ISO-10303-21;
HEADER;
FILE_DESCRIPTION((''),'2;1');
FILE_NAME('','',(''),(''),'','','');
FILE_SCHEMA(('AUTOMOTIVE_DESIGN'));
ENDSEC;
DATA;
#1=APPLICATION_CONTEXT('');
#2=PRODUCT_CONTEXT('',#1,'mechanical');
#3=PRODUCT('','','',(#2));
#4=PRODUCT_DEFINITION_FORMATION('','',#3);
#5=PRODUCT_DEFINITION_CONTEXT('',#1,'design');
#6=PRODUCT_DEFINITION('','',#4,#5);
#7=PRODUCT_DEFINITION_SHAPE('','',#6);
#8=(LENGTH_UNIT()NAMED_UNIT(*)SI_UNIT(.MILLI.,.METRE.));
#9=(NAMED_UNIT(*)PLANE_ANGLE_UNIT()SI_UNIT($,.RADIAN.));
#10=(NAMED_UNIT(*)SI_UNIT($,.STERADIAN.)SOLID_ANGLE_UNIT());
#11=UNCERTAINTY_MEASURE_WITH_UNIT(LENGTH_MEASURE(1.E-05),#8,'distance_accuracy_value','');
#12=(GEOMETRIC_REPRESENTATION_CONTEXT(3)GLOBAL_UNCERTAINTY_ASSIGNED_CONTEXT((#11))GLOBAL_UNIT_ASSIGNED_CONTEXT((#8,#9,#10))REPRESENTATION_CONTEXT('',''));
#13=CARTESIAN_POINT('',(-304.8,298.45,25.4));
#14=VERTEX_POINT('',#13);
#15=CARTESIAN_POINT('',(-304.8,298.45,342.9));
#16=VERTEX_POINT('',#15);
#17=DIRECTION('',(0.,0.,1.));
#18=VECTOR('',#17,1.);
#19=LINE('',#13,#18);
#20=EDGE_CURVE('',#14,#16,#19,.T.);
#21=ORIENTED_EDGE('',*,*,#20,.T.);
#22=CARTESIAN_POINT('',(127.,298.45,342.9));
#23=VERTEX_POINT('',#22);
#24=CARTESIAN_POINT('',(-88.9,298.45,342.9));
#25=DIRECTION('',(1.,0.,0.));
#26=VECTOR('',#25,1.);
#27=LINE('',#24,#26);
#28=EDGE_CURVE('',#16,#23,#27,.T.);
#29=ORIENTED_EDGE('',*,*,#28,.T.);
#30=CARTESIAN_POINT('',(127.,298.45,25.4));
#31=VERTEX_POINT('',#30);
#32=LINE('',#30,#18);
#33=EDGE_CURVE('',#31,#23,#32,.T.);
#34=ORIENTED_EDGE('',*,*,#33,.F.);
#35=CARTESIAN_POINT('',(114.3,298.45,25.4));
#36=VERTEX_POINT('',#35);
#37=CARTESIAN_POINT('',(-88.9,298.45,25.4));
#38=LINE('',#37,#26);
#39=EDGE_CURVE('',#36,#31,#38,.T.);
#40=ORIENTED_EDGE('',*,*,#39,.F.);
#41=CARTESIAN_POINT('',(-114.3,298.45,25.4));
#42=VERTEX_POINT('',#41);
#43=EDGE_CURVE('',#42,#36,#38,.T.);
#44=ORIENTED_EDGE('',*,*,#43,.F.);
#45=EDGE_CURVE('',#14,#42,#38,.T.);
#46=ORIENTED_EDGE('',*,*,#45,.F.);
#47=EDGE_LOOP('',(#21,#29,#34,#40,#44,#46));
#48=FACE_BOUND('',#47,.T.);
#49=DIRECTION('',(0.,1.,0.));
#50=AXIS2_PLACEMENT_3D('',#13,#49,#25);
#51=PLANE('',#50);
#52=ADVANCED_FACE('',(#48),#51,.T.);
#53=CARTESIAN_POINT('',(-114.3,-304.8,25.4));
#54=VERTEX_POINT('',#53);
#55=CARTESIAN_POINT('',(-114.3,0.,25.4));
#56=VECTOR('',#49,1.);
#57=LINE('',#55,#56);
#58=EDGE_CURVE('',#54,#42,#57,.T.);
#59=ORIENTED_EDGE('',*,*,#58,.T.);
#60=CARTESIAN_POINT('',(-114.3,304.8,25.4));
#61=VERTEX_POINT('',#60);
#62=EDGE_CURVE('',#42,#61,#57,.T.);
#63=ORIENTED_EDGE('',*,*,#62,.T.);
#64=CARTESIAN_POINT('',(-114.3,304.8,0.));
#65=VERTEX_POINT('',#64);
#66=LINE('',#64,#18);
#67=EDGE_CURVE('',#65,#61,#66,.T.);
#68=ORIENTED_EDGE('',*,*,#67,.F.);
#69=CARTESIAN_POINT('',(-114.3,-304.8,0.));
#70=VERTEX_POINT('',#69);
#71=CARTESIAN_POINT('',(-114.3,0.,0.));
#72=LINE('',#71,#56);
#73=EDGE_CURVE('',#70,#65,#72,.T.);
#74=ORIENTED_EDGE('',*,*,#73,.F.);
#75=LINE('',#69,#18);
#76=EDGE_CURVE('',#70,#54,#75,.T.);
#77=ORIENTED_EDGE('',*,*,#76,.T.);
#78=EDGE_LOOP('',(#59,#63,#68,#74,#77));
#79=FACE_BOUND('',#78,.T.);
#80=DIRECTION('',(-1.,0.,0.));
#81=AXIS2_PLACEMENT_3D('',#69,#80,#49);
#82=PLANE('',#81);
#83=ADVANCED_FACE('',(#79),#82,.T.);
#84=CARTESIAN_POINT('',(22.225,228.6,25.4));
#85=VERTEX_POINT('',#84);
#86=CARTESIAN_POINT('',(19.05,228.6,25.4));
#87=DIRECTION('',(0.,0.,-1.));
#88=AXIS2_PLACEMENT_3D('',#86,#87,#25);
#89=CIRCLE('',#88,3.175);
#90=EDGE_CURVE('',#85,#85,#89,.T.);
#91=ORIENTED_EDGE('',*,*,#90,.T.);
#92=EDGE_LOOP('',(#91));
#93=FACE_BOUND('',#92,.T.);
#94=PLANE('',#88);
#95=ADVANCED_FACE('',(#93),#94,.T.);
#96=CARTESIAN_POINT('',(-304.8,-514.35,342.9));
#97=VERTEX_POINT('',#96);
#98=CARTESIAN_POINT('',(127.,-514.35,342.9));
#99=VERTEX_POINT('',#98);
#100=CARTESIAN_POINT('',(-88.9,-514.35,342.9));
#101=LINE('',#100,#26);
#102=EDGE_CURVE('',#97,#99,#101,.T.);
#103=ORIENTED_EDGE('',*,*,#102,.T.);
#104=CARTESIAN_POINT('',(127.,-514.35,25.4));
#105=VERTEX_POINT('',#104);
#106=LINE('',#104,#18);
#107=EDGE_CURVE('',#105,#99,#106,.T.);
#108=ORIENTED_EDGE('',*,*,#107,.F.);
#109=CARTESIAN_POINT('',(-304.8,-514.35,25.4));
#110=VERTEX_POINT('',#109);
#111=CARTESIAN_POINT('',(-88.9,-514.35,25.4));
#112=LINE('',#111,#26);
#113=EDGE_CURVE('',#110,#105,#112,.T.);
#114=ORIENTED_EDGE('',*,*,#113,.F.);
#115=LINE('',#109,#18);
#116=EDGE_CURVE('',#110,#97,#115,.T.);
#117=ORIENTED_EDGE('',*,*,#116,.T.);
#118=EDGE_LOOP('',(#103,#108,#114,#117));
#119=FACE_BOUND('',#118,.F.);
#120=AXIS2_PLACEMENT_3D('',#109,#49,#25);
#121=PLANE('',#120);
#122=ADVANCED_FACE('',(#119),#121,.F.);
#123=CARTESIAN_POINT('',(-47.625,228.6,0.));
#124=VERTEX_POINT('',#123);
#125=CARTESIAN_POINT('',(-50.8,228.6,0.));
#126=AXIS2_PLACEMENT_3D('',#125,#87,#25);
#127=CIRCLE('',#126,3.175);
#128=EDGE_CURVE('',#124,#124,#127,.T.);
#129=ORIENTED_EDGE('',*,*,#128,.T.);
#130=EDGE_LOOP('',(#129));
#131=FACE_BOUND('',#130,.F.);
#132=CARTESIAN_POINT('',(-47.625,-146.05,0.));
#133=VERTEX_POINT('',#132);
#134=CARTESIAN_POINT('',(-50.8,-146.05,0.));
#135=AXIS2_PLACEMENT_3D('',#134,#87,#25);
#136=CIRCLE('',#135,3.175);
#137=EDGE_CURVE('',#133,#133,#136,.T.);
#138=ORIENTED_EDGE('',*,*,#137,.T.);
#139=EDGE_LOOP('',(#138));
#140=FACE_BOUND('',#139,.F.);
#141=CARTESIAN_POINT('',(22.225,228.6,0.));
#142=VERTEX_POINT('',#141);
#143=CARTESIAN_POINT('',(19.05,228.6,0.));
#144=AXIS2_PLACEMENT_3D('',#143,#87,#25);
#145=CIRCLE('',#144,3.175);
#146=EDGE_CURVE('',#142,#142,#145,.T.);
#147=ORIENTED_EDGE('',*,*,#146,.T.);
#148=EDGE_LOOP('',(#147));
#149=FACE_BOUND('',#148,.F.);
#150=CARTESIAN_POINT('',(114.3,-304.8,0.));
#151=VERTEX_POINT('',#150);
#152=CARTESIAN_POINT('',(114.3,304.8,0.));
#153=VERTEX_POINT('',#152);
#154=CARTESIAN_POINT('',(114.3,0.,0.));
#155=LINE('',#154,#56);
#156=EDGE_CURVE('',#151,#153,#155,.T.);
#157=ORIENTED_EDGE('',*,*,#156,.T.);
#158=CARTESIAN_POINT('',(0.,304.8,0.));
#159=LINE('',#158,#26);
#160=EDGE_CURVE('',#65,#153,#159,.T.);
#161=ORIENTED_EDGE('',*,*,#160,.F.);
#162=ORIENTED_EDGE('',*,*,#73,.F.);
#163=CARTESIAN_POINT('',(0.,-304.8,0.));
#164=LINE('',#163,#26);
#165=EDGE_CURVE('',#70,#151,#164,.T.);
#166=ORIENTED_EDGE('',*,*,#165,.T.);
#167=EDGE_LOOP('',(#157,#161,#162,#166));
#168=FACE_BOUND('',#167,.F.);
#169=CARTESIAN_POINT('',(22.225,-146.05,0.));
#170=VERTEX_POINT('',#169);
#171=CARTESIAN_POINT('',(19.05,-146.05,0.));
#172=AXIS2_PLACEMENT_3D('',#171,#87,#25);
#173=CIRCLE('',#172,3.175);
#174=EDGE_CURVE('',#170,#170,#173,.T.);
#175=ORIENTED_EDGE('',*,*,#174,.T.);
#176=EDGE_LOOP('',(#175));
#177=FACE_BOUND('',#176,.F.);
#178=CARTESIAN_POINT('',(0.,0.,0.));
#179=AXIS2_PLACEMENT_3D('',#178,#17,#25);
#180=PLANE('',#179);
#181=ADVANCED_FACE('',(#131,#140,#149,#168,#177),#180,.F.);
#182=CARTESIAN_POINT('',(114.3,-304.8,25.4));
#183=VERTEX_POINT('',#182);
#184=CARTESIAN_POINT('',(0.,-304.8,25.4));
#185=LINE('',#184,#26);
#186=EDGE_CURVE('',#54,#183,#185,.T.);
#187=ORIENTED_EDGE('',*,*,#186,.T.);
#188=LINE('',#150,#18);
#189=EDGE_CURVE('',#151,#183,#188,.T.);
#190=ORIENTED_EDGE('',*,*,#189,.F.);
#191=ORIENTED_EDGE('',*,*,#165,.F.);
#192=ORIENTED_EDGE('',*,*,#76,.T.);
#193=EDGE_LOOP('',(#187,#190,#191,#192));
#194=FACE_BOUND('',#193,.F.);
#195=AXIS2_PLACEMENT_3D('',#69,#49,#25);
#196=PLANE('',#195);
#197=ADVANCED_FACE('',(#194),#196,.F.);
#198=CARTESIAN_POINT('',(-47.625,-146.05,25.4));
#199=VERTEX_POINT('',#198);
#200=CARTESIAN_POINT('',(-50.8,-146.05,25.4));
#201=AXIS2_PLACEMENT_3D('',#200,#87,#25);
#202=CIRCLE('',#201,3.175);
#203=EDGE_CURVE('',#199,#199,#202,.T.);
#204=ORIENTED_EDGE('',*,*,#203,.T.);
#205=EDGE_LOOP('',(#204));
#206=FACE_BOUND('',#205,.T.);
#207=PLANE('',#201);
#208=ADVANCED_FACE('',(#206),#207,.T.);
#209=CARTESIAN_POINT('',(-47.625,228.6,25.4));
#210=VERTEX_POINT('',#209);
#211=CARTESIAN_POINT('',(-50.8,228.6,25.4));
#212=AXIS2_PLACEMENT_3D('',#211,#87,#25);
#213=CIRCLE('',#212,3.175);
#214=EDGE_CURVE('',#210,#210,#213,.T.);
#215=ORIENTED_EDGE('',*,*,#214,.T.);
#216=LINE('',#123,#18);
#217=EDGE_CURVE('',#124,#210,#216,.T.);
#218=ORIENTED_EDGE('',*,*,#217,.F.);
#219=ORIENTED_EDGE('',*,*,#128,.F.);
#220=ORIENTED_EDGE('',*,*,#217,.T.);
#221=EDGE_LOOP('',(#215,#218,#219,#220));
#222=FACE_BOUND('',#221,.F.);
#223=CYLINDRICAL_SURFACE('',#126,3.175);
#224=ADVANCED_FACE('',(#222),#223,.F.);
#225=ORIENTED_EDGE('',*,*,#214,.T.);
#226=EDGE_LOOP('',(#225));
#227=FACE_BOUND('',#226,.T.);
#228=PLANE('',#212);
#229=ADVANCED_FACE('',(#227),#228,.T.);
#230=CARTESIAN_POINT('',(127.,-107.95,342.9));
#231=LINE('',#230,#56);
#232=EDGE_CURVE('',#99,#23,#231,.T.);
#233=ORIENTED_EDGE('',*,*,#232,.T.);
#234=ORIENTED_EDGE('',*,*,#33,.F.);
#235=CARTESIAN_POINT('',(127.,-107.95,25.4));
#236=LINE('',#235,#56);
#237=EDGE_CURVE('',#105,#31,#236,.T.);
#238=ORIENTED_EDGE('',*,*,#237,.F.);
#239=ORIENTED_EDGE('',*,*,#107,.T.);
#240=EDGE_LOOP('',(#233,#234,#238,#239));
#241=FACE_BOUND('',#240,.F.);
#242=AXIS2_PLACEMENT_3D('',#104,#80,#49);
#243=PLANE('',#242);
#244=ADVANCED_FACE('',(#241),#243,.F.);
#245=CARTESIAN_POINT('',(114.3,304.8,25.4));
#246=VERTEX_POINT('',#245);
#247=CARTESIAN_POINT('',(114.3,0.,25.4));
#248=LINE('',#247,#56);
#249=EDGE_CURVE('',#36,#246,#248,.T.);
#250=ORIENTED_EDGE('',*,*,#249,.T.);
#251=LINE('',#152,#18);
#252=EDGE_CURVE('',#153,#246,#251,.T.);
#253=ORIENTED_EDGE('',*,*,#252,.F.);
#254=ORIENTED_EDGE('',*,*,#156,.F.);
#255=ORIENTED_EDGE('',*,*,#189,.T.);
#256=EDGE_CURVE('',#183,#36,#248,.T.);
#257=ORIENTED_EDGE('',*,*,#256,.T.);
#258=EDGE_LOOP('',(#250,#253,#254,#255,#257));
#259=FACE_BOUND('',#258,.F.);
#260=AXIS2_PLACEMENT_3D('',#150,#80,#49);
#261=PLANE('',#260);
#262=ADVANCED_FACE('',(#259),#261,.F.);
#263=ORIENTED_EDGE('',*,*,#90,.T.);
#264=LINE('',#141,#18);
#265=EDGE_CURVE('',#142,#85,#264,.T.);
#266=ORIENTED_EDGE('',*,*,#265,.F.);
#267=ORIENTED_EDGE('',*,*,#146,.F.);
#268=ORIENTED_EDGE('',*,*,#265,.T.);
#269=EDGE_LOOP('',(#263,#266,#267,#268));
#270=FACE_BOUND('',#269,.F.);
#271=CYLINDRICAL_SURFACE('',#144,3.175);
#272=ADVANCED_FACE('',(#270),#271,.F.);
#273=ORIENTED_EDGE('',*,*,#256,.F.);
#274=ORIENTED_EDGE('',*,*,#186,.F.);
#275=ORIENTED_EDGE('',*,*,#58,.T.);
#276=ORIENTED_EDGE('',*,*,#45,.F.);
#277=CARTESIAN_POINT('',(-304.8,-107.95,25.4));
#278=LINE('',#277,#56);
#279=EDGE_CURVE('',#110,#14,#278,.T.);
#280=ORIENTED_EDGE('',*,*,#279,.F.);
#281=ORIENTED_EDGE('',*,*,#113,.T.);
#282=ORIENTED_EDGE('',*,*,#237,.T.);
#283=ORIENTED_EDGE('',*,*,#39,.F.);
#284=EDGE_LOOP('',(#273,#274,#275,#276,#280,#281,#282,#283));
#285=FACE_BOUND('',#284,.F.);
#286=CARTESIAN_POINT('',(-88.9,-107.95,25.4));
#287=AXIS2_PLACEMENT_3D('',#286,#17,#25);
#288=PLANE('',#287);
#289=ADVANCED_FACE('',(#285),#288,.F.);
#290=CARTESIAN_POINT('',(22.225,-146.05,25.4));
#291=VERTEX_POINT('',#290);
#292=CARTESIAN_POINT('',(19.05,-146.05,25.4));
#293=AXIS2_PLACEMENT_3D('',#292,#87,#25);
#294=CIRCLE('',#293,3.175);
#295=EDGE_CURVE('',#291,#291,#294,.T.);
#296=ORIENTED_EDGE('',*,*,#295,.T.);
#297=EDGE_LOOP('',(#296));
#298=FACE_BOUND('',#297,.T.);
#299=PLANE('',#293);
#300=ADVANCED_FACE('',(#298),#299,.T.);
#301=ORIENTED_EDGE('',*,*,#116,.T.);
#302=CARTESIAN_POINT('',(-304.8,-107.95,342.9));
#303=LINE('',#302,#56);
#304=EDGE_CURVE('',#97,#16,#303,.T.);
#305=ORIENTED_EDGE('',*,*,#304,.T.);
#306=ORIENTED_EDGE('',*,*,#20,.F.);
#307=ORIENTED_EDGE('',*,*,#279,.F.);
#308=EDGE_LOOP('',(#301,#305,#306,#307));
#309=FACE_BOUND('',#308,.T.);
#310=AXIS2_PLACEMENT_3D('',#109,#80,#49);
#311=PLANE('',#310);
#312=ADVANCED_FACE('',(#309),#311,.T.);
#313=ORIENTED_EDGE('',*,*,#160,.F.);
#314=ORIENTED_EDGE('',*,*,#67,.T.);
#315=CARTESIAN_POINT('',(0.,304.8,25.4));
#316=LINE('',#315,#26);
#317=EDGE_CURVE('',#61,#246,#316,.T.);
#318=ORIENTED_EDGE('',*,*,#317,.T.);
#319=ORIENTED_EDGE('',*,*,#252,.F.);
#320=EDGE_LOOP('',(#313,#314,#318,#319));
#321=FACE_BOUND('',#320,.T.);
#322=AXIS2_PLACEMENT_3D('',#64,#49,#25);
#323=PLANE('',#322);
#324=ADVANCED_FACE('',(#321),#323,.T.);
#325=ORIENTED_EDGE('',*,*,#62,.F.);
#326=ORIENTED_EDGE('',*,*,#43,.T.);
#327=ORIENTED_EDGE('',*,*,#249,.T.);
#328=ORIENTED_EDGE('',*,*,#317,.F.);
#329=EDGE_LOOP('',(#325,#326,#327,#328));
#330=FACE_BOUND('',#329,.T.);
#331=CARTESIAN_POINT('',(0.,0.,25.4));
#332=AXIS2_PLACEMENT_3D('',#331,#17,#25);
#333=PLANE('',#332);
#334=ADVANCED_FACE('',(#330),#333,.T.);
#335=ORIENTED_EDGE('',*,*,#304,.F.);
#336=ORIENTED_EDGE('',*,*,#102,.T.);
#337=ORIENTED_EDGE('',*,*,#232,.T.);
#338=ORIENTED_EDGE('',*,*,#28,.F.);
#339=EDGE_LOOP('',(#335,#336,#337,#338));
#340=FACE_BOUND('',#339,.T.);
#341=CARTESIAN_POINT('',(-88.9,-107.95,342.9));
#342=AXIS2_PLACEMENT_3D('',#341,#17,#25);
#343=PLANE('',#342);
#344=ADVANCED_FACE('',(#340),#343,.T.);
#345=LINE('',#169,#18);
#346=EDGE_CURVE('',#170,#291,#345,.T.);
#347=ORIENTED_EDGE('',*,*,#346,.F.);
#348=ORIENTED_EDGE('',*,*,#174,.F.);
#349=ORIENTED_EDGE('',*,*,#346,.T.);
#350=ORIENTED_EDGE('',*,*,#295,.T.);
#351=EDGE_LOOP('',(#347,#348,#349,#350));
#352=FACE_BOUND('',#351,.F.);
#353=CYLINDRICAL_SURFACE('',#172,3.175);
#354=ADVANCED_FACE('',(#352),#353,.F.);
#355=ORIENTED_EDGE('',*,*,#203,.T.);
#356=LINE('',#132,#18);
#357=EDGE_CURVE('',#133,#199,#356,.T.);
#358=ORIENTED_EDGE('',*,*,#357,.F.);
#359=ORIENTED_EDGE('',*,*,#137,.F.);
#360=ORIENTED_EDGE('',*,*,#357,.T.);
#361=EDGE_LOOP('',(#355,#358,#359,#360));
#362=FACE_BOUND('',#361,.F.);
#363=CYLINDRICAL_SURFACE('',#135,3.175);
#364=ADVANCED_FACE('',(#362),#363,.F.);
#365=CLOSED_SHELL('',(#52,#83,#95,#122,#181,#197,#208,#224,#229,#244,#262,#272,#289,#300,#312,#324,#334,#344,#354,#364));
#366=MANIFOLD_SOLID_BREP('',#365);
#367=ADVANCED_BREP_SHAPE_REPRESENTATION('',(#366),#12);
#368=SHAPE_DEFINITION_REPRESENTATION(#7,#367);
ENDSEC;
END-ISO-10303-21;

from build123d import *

# Parameters (mm, degrees)
F0_W     = 228.6
F0_H     = 609.6
F1_DEPTH = 25.4
F2_W     = 431.8
F2_H     = 812.8
F3_DEPTH = 317.5
F4_R     = 3.175
F5_DEPTH = 25.4


with BuildPart() as f1:
    # F0 (on Top) → F1 (new body)
    with BuildSketch(Plane.XY):
        Rectangle(F0_W, F0_H)
    extrude(amount=F1_DEPTH)

    # F2 (on face) → F3 (join)
    with BuildSketch(Plane.XY.offset(25.4)):
        with Locations((-88.9, -107.95)):
            Rectangle(F2_W, F2_H)
    extrude(amount=F3_DEPTH)

    # F4 (on face) → F5 (cut)
    with BuildSketch(Plane(origin=(0, 0, 0), x_dir=(1, 0, 0), z_dir=(0, 0, -1))):
        with Locations((-50.8, -228.6)):
            Circle(F4_R)
        with Locations((19.05, -228.6)):
            Circle(F4_R)
        with Locations((-50.8, 146.05)):
            Circle(F4_R)
        with Locations((19.05, 146.05)):
            Circle(F4_R)
    extrude(amount=-F5_DEPTH, mode=Mode.SUBTRACT)


solid = f1.part
